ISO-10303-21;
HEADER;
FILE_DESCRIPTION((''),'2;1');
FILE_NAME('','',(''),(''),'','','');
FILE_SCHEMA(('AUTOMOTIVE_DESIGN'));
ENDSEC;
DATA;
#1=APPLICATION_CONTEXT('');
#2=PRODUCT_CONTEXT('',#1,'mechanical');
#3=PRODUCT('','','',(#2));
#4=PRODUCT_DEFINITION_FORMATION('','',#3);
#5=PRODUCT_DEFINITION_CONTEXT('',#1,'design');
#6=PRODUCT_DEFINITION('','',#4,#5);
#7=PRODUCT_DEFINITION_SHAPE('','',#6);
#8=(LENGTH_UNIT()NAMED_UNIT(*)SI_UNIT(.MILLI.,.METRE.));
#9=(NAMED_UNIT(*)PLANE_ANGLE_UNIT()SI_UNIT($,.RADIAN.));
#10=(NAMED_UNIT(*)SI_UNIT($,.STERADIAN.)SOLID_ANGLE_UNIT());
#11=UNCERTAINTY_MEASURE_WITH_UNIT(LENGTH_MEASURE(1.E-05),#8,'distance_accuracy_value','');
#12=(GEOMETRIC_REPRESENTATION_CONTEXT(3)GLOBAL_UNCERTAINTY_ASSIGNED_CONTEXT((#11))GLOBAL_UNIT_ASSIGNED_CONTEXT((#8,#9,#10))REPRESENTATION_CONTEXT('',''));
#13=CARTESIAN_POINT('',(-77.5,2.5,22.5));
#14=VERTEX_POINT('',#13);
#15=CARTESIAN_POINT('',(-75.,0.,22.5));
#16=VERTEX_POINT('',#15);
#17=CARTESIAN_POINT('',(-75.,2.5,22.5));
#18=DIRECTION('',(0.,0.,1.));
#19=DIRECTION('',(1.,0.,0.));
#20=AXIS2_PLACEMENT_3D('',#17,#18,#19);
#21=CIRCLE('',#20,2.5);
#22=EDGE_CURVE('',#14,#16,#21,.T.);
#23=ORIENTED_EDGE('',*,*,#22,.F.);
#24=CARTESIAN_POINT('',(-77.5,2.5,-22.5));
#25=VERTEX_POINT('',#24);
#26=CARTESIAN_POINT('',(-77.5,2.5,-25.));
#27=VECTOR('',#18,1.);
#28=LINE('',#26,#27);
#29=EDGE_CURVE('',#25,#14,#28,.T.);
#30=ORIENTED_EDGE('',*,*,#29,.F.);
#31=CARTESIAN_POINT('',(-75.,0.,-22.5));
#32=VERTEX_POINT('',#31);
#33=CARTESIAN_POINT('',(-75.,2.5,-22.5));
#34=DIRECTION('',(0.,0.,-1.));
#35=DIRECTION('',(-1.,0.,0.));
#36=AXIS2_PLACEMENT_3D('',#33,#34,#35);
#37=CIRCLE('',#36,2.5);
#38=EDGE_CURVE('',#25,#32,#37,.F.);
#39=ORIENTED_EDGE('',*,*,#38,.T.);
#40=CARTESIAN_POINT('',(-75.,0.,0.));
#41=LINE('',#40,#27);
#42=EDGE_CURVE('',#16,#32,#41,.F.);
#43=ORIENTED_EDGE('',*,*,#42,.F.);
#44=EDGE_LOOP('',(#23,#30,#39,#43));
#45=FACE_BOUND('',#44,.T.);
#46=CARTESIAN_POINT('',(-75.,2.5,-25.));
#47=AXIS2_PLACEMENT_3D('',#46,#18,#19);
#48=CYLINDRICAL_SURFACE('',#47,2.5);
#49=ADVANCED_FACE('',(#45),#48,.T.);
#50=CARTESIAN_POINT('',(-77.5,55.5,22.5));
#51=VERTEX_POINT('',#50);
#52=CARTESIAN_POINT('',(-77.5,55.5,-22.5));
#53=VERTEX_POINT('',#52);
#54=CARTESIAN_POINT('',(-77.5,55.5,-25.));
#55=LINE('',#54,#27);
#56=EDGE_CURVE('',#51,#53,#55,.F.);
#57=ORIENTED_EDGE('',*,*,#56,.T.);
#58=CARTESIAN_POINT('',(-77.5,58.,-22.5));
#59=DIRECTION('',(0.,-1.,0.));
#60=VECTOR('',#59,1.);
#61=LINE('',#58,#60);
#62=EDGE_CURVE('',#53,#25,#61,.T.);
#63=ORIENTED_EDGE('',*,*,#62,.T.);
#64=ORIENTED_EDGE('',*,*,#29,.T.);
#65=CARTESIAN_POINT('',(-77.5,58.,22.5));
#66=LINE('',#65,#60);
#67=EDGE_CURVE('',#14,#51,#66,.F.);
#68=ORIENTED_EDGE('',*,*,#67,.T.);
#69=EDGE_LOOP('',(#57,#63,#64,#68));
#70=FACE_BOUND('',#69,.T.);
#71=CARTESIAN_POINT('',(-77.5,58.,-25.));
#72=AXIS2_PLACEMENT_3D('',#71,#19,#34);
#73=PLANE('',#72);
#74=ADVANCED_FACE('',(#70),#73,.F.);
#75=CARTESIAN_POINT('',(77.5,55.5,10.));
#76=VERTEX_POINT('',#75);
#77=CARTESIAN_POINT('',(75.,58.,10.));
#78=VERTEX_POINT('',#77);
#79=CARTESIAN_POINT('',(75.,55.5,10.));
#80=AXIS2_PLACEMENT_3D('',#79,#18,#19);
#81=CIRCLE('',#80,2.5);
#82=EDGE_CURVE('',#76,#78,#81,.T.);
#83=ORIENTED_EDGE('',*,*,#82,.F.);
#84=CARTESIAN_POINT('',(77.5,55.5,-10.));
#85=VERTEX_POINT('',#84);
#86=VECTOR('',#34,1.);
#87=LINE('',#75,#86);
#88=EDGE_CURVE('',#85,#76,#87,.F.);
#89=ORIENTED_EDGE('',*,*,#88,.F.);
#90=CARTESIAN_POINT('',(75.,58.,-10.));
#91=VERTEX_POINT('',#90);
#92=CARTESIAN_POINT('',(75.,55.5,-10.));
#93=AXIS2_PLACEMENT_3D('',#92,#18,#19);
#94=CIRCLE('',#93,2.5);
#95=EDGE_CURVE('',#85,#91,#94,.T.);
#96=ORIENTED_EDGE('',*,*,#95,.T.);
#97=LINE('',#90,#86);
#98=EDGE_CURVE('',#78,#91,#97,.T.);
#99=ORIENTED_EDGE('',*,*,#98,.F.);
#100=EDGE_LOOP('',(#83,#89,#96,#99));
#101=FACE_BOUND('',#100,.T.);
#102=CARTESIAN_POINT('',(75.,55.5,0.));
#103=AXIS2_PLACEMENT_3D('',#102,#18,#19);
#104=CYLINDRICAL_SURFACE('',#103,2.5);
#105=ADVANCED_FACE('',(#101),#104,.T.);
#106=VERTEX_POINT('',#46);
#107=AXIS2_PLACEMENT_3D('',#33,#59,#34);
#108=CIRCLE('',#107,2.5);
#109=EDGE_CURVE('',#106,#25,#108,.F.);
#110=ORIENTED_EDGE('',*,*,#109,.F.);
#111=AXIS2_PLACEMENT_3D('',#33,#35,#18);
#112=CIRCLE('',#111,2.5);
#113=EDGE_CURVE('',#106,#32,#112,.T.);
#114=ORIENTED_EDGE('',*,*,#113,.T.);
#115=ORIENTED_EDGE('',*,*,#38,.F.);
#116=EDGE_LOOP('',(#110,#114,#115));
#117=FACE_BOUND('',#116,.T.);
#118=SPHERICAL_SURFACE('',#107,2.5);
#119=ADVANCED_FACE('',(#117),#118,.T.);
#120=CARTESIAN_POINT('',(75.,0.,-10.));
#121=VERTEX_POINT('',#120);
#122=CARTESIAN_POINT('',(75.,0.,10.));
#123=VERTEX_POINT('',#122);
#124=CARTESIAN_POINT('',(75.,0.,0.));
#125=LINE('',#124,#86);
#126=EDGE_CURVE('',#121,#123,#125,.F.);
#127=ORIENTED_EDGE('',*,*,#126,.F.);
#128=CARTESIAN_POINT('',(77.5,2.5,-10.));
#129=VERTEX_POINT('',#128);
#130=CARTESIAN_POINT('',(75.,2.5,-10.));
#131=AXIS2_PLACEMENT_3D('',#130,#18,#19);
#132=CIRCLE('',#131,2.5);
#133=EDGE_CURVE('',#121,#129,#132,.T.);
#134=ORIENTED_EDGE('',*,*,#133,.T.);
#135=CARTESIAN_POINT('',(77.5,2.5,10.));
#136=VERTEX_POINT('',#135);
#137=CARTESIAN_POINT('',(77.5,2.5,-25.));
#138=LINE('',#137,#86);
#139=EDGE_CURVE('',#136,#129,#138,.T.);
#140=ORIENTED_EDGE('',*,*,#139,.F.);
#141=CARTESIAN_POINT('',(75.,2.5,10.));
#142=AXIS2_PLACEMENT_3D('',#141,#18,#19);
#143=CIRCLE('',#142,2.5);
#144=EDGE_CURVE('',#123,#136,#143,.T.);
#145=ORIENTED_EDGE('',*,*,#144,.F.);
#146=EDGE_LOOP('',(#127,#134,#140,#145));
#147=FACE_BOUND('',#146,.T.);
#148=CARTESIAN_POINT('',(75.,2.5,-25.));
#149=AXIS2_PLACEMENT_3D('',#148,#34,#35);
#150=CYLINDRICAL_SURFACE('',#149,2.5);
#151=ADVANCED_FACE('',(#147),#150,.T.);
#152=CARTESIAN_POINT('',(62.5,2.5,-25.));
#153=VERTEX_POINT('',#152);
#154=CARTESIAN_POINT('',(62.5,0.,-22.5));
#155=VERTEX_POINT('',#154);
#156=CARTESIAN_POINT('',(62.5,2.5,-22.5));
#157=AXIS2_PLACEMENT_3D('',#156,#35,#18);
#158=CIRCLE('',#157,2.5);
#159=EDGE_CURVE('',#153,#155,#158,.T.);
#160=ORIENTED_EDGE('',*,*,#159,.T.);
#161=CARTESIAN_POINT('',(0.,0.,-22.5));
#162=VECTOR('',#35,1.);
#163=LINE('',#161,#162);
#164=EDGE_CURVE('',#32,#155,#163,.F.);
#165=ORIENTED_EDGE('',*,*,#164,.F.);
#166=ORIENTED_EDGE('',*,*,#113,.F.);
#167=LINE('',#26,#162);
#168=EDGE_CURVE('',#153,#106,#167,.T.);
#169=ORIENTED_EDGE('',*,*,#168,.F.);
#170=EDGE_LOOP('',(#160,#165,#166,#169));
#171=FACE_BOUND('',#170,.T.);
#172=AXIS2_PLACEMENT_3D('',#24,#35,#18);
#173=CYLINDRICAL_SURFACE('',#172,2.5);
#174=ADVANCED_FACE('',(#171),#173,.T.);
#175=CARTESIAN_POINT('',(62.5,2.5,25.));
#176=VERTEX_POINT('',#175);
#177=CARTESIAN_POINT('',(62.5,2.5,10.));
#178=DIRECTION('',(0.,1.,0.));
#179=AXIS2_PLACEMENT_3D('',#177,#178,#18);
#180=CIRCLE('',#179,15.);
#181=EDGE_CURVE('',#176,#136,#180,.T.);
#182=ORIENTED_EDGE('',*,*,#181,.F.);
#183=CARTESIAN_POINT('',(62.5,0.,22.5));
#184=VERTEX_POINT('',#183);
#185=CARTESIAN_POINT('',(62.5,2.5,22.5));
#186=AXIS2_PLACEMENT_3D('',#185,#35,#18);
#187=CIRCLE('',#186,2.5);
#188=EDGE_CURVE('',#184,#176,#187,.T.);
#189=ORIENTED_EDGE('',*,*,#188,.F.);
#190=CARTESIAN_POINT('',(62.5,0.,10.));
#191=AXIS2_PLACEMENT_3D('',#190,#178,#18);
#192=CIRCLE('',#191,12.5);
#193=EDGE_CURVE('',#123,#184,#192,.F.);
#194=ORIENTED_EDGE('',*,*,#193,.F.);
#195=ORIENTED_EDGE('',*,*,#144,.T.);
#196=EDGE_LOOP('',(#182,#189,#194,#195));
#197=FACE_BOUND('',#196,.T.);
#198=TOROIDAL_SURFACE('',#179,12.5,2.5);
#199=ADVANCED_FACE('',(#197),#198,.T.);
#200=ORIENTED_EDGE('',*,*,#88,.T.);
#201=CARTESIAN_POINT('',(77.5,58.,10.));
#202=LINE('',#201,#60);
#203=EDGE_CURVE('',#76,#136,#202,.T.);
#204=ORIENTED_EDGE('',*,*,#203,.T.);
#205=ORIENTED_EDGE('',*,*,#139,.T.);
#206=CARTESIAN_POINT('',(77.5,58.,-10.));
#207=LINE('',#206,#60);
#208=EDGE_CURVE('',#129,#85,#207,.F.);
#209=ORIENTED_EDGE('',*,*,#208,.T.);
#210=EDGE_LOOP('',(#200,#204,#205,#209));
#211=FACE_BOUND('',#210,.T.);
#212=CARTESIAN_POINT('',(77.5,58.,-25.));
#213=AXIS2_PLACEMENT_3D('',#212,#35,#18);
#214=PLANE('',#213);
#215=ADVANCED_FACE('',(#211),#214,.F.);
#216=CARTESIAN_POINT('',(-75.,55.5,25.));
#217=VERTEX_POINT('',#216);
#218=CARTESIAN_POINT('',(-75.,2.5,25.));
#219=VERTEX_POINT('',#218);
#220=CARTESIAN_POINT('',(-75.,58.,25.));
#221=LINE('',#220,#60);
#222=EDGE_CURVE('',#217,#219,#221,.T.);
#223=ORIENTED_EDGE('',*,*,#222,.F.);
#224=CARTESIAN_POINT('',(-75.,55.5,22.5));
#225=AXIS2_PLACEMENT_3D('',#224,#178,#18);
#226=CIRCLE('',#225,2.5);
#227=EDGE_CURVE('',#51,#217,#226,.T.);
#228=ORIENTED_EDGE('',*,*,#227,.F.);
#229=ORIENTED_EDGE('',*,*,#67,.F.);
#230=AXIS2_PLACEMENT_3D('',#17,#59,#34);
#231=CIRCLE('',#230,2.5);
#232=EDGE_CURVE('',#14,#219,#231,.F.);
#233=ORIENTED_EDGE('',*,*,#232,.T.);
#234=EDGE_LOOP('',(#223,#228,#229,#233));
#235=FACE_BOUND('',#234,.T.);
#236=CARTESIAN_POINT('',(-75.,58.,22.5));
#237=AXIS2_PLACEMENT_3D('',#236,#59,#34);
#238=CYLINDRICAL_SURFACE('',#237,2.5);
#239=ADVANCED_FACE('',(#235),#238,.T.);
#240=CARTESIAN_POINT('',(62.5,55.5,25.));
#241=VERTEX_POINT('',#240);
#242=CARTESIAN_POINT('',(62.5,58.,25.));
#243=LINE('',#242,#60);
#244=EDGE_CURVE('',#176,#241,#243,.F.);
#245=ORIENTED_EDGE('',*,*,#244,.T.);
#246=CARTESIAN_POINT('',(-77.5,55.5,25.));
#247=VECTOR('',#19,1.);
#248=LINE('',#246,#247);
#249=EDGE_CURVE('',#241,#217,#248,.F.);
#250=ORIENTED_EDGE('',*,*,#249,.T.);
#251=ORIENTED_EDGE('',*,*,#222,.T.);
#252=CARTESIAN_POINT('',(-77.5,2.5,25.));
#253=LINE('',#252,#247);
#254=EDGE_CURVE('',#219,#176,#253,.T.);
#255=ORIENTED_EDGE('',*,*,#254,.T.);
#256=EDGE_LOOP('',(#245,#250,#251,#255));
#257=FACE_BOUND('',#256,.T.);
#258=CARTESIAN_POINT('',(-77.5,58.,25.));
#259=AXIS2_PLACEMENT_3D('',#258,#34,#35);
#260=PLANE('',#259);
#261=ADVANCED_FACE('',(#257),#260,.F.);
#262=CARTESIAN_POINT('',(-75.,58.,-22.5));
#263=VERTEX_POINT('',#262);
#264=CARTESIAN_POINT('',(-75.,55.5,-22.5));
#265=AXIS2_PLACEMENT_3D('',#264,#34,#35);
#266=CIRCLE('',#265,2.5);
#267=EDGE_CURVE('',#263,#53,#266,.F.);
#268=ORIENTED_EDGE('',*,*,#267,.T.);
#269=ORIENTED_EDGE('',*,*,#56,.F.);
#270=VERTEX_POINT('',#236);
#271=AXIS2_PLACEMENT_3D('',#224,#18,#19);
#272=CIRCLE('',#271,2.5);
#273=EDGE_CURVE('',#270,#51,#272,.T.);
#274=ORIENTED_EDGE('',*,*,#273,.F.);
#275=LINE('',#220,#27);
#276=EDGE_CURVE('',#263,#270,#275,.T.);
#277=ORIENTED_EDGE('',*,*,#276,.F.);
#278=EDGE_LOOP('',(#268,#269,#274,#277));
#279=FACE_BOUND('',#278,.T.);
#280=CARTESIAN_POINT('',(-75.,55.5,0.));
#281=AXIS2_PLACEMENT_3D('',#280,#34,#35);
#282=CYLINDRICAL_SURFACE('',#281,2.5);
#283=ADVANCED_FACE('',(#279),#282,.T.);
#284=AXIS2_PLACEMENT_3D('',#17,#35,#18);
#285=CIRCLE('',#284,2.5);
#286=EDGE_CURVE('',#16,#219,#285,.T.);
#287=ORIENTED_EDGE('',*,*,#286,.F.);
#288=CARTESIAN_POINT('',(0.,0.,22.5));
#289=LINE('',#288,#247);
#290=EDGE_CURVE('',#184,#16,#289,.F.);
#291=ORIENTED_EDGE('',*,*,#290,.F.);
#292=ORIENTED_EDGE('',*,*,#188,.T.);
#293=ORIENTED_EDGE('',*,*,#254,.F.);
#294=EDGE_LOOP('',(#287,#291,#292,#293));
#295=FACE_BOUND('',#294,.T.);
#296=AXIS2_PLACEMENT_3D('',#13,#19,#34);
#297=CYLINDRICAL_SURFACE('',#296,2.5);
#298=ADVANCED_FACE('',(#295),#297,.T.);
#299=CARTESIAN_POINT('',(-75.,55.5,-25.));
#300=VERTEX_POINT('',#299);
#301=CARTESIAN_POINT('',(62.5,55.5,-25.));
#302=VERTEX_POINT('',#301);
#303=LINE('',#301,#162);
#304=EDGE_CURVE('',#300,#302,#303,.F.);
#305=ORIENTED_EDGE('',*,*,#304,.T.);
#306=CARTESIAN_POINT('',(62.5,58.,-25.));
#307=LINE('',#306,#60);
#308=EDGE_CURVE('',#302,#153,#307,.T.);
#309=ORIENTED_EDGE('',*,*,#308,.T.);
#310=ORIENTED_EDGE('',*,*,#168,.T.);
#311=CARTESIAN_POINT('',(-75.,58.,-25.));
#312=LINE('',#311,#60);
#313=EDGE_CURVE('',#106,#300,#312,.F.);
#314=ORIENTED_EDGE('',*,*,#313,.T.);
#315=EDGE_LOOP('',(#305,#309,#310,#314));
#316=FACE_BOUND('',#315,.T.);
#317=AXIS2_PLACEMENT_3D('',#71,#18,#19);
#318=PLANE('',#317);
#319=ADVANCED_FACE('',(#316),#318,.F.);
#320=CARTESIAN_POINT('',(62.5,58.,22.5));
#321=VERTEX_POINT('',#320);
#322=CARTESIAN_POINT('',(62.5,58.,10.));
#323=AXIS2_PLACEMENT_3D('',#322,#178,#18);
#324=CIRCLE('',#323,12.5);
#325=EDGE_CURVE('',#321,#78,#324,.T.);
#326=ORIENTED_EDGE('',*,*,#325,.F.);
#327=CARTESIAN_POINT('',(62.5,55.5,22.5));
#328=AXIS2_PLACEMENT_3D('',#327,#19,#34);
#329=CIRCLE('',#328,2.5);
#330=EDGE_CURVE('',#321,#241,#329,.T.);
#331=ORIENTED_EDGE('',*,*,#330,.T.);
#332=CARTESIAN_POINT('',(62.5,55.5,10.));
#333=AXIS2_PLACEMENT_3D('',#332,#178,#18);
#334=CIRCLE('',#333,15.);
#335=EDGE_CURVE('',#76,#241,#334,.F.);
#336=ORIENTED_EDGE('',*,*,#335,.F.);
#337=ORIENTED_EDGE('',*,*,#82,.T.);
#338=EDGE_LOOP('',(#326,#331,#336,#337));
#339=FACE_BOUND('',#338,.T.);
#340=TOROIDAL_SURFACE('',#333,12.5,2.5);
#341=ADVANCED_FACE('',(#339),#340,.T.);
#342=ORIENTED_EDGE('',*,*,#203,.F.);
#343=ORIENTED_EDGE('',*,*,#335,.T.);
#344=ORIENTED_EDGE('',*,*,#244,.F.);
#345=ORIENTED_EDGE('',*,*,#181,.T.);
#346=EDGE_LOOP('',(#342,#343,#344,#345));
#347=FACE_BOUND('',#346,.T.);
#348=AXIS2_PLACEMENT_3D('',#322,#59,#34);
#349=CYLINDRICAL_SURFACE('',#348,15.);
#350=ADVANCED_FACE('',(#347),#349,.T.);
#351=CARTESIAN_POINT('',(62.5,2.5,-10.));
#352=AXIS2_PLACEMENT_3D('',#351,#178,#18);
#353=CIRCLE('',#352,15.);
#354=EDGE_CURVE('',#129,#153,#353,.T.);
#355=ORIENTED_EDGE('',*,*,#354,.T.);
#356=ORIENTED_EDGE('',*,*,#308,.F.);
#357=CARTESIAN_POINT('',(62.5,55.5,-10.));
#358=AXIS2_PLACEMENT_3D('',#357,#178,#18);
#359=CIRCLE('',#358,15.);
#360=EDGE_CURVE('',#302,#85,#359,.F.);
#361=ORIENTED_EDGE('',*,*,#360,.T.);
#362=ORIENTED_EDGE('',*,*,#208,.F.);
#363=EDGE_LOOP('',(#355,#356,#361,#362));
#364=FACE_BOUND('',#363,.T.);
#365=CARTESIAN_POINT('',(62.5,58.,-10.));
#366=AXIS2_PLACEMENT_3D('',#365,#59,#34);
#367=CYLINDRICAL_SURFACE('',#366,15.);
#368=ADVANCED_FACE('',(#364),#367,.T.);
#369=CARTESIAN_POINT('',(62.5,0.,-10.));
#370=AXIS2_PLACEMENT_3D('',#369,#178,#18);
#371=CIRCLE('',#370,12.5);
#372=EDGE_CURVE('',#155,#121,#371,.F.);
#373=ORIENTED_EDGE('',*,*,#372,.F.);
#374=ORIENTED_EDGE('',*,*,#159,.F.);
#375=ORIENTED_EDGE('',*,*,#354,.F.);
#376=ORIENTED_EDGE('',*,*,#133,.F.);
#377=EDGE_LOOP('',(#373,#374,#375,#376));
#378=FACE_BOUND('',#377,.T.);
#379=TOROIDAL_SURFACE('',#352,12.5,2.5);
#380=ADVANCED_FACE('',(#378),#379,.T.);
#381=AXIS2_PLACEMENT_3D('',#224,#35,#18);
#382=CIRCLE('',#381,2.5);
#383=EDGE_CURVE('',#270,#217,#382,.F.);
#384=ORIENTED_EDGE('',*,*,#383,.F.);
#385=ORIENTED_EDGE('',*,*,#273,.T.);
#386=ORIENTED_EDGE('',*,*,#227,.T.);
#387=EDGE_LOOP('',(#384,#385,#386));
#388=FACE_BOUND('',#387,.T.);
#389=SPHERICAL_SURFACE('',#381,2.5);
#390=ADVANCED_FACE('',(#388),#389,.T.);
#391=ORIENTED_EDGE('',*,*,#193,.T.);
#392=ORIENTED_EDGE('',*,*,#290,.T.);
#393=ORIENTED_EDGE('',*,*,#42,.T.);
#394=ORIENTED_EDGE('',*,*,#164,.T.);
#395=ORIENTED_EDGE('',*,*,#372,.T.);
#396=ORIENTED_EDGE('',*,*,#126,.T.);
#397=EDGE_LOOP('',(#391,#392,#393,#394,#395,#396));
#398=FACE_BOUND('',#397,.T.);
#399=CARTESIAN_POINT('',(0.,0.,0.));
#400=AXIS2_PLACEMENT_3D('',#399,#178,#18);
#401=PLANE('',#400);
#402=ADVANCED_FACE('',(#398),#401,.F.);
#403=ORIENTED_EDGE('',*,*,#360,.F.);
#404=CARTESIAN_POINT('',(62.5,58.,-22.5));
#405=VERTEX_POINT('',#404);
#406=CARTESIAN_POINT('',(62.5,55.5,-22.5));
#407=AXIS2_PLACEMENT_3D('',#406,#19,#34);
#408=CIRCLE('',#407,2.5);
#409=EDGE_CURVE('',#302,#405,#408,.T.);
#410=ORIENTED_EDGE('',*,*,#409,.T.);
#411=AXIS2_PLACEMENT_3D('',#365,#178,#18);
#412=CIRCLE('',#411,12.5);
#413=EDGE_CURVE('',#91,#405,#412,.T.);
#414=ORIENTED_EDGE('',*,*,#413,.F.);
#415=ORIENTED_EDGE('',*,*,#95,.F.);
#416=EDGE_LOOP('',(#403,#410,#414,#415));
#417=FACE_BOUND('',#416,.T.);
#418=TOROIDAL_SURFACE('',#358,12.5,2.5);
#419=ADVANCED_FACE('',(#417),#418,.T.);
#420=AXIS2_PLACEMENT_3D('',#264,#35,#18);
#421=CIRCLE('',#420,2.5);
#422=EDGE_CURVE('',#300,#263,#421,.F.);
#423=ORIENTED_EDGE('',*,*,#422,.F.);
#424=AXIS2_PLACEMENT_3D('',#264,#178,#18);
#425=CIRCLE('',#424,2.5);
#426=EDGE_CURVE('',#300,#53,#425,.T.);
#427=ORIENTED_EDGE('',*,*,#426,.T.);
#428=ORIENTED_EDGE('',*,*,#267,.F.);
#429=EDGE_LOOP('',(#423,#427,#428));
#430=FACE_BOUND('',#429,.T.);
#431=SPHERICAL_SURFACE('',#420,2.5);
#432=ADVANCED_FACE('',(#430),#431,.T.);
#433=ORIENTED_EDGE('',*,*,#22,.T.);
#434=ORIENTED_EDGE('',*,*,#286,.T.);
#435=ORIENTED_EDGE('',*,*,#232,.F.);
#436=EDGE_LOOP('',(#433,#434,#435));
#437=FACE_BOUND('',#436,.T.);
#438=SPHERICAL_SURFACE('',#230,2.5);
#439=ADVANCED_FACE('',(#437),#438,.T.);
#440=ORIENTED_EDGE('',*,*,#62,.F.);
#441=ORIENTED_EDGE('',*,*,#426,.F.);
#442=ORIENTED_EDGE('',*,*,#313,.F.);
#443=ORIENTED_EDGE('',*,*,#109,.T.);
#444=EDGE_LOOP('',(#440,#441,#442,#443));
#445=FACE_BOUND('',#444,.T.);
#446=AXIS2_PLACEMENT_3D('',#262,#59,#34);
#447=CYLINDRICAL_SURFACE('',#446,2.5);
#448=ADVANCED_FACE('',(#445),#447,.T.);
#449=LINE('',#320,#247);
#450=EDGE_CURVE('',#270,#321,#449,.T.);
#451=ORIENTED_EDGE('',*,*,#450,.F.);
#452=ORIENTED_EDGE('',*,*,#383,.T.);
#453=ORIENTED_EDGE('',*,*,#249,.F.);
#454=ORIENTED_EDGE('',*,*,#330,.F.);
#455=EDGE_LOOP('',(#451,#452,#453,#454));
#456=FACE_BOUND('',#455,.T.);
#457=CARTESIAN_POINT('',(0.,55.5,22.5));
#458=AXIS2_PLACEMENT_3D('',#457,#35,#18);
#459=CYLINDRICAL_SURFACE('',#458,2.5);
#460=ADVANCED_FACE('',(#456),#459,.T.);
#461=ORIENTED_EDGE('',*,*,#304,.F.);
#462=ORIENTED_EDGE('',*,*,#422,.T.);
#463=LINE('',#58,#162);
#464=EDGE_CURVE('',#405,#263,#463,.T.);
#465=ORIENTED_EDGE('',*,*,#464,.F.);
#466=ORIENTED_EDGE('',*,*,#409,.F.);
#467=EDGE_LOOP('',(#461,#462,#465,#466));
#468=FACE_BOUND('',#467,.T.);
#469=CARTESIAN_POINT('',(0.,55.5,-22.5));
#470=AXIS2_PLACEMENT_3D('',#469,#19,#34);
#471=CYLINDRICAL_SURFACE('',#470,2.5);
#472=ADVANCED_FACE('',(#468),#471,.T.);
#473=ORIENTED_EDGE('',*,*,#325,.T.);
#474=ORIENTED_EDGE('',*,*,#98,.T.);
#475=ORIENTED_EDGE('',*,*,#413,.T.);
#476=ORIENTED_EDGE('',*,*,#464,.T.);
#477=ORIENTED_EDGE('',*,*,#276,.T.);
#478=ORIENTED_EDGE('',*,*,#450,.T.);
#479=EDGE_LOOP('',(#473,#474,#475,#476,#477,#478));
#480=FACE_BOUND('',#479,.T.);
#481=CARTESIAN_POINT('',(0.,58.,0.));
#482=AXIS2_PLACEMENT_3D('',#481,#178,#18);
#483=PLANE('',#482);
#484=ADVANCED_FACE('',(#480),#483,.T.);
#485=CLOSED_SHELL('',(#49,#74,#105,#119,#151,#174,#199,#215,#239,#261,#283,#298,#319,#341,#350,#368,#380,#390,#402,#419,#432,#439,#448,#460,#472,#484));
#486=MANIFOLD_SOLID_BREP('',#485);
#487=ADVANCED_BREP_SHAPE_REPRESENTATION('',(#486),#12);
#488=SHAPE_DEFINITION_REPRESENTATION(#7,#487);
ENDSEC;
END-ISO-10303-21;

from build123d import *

# Parameters (mm, degrees)
SKETCH1_W           = 155
SKETCH1_H           = 50
BOSS_EXTRUDE1_DEPTH = 58
FILLET1_R           = 15
FILLET2_R           = 2.5


with BuildPart() as part:
    # Sketch1 → Boss-Extrude1 (new body)
    with BuildSketch(Plane(origin=(0, 0, 0), x_dir=(1, 0, 0), z_dir=(0, 1, 0))):
        Rectangle(SKETCH1_W, SKETCH1_H)
    extrude(amount=BOSS_EXTRUDE1_DEPTH)

    # Fillet1
    fillet1_edges = [part.edges().sort_by_distance(p)[0] for p in [
        (77.5, 29, -25),
        (77.5, 29, 25),
    ]]
    fillet(fillet1_edges, radius=FILLET1_R)

    # Fillet2
    fillet2_edges = [part.edges().sort_by_distance(p)[0] for p in [
        (-7.5, 0, -25),
        (-7.5, 58, -25),
        (77.5, 0, 0),
        (73.106601718, 0, 20.606601718),
        (73.106601718, 0, -20.606601718),
        (77.5, 58, 0),
        (73.106601718, 58, 20.606601718),
        (73.106601718, 58, -20.606601718),
        (-77.5, 58, 0),
        (-7.5, 0, 25),
        (-77.5, 0, 0),
        (-77.5, 29, -25),
        (-77.5, 29, 25),
        (-7.5, 58, 25),
    ]]
    fillet(fillet2_edges, radius=FILLET2_R)


solid = part.part
